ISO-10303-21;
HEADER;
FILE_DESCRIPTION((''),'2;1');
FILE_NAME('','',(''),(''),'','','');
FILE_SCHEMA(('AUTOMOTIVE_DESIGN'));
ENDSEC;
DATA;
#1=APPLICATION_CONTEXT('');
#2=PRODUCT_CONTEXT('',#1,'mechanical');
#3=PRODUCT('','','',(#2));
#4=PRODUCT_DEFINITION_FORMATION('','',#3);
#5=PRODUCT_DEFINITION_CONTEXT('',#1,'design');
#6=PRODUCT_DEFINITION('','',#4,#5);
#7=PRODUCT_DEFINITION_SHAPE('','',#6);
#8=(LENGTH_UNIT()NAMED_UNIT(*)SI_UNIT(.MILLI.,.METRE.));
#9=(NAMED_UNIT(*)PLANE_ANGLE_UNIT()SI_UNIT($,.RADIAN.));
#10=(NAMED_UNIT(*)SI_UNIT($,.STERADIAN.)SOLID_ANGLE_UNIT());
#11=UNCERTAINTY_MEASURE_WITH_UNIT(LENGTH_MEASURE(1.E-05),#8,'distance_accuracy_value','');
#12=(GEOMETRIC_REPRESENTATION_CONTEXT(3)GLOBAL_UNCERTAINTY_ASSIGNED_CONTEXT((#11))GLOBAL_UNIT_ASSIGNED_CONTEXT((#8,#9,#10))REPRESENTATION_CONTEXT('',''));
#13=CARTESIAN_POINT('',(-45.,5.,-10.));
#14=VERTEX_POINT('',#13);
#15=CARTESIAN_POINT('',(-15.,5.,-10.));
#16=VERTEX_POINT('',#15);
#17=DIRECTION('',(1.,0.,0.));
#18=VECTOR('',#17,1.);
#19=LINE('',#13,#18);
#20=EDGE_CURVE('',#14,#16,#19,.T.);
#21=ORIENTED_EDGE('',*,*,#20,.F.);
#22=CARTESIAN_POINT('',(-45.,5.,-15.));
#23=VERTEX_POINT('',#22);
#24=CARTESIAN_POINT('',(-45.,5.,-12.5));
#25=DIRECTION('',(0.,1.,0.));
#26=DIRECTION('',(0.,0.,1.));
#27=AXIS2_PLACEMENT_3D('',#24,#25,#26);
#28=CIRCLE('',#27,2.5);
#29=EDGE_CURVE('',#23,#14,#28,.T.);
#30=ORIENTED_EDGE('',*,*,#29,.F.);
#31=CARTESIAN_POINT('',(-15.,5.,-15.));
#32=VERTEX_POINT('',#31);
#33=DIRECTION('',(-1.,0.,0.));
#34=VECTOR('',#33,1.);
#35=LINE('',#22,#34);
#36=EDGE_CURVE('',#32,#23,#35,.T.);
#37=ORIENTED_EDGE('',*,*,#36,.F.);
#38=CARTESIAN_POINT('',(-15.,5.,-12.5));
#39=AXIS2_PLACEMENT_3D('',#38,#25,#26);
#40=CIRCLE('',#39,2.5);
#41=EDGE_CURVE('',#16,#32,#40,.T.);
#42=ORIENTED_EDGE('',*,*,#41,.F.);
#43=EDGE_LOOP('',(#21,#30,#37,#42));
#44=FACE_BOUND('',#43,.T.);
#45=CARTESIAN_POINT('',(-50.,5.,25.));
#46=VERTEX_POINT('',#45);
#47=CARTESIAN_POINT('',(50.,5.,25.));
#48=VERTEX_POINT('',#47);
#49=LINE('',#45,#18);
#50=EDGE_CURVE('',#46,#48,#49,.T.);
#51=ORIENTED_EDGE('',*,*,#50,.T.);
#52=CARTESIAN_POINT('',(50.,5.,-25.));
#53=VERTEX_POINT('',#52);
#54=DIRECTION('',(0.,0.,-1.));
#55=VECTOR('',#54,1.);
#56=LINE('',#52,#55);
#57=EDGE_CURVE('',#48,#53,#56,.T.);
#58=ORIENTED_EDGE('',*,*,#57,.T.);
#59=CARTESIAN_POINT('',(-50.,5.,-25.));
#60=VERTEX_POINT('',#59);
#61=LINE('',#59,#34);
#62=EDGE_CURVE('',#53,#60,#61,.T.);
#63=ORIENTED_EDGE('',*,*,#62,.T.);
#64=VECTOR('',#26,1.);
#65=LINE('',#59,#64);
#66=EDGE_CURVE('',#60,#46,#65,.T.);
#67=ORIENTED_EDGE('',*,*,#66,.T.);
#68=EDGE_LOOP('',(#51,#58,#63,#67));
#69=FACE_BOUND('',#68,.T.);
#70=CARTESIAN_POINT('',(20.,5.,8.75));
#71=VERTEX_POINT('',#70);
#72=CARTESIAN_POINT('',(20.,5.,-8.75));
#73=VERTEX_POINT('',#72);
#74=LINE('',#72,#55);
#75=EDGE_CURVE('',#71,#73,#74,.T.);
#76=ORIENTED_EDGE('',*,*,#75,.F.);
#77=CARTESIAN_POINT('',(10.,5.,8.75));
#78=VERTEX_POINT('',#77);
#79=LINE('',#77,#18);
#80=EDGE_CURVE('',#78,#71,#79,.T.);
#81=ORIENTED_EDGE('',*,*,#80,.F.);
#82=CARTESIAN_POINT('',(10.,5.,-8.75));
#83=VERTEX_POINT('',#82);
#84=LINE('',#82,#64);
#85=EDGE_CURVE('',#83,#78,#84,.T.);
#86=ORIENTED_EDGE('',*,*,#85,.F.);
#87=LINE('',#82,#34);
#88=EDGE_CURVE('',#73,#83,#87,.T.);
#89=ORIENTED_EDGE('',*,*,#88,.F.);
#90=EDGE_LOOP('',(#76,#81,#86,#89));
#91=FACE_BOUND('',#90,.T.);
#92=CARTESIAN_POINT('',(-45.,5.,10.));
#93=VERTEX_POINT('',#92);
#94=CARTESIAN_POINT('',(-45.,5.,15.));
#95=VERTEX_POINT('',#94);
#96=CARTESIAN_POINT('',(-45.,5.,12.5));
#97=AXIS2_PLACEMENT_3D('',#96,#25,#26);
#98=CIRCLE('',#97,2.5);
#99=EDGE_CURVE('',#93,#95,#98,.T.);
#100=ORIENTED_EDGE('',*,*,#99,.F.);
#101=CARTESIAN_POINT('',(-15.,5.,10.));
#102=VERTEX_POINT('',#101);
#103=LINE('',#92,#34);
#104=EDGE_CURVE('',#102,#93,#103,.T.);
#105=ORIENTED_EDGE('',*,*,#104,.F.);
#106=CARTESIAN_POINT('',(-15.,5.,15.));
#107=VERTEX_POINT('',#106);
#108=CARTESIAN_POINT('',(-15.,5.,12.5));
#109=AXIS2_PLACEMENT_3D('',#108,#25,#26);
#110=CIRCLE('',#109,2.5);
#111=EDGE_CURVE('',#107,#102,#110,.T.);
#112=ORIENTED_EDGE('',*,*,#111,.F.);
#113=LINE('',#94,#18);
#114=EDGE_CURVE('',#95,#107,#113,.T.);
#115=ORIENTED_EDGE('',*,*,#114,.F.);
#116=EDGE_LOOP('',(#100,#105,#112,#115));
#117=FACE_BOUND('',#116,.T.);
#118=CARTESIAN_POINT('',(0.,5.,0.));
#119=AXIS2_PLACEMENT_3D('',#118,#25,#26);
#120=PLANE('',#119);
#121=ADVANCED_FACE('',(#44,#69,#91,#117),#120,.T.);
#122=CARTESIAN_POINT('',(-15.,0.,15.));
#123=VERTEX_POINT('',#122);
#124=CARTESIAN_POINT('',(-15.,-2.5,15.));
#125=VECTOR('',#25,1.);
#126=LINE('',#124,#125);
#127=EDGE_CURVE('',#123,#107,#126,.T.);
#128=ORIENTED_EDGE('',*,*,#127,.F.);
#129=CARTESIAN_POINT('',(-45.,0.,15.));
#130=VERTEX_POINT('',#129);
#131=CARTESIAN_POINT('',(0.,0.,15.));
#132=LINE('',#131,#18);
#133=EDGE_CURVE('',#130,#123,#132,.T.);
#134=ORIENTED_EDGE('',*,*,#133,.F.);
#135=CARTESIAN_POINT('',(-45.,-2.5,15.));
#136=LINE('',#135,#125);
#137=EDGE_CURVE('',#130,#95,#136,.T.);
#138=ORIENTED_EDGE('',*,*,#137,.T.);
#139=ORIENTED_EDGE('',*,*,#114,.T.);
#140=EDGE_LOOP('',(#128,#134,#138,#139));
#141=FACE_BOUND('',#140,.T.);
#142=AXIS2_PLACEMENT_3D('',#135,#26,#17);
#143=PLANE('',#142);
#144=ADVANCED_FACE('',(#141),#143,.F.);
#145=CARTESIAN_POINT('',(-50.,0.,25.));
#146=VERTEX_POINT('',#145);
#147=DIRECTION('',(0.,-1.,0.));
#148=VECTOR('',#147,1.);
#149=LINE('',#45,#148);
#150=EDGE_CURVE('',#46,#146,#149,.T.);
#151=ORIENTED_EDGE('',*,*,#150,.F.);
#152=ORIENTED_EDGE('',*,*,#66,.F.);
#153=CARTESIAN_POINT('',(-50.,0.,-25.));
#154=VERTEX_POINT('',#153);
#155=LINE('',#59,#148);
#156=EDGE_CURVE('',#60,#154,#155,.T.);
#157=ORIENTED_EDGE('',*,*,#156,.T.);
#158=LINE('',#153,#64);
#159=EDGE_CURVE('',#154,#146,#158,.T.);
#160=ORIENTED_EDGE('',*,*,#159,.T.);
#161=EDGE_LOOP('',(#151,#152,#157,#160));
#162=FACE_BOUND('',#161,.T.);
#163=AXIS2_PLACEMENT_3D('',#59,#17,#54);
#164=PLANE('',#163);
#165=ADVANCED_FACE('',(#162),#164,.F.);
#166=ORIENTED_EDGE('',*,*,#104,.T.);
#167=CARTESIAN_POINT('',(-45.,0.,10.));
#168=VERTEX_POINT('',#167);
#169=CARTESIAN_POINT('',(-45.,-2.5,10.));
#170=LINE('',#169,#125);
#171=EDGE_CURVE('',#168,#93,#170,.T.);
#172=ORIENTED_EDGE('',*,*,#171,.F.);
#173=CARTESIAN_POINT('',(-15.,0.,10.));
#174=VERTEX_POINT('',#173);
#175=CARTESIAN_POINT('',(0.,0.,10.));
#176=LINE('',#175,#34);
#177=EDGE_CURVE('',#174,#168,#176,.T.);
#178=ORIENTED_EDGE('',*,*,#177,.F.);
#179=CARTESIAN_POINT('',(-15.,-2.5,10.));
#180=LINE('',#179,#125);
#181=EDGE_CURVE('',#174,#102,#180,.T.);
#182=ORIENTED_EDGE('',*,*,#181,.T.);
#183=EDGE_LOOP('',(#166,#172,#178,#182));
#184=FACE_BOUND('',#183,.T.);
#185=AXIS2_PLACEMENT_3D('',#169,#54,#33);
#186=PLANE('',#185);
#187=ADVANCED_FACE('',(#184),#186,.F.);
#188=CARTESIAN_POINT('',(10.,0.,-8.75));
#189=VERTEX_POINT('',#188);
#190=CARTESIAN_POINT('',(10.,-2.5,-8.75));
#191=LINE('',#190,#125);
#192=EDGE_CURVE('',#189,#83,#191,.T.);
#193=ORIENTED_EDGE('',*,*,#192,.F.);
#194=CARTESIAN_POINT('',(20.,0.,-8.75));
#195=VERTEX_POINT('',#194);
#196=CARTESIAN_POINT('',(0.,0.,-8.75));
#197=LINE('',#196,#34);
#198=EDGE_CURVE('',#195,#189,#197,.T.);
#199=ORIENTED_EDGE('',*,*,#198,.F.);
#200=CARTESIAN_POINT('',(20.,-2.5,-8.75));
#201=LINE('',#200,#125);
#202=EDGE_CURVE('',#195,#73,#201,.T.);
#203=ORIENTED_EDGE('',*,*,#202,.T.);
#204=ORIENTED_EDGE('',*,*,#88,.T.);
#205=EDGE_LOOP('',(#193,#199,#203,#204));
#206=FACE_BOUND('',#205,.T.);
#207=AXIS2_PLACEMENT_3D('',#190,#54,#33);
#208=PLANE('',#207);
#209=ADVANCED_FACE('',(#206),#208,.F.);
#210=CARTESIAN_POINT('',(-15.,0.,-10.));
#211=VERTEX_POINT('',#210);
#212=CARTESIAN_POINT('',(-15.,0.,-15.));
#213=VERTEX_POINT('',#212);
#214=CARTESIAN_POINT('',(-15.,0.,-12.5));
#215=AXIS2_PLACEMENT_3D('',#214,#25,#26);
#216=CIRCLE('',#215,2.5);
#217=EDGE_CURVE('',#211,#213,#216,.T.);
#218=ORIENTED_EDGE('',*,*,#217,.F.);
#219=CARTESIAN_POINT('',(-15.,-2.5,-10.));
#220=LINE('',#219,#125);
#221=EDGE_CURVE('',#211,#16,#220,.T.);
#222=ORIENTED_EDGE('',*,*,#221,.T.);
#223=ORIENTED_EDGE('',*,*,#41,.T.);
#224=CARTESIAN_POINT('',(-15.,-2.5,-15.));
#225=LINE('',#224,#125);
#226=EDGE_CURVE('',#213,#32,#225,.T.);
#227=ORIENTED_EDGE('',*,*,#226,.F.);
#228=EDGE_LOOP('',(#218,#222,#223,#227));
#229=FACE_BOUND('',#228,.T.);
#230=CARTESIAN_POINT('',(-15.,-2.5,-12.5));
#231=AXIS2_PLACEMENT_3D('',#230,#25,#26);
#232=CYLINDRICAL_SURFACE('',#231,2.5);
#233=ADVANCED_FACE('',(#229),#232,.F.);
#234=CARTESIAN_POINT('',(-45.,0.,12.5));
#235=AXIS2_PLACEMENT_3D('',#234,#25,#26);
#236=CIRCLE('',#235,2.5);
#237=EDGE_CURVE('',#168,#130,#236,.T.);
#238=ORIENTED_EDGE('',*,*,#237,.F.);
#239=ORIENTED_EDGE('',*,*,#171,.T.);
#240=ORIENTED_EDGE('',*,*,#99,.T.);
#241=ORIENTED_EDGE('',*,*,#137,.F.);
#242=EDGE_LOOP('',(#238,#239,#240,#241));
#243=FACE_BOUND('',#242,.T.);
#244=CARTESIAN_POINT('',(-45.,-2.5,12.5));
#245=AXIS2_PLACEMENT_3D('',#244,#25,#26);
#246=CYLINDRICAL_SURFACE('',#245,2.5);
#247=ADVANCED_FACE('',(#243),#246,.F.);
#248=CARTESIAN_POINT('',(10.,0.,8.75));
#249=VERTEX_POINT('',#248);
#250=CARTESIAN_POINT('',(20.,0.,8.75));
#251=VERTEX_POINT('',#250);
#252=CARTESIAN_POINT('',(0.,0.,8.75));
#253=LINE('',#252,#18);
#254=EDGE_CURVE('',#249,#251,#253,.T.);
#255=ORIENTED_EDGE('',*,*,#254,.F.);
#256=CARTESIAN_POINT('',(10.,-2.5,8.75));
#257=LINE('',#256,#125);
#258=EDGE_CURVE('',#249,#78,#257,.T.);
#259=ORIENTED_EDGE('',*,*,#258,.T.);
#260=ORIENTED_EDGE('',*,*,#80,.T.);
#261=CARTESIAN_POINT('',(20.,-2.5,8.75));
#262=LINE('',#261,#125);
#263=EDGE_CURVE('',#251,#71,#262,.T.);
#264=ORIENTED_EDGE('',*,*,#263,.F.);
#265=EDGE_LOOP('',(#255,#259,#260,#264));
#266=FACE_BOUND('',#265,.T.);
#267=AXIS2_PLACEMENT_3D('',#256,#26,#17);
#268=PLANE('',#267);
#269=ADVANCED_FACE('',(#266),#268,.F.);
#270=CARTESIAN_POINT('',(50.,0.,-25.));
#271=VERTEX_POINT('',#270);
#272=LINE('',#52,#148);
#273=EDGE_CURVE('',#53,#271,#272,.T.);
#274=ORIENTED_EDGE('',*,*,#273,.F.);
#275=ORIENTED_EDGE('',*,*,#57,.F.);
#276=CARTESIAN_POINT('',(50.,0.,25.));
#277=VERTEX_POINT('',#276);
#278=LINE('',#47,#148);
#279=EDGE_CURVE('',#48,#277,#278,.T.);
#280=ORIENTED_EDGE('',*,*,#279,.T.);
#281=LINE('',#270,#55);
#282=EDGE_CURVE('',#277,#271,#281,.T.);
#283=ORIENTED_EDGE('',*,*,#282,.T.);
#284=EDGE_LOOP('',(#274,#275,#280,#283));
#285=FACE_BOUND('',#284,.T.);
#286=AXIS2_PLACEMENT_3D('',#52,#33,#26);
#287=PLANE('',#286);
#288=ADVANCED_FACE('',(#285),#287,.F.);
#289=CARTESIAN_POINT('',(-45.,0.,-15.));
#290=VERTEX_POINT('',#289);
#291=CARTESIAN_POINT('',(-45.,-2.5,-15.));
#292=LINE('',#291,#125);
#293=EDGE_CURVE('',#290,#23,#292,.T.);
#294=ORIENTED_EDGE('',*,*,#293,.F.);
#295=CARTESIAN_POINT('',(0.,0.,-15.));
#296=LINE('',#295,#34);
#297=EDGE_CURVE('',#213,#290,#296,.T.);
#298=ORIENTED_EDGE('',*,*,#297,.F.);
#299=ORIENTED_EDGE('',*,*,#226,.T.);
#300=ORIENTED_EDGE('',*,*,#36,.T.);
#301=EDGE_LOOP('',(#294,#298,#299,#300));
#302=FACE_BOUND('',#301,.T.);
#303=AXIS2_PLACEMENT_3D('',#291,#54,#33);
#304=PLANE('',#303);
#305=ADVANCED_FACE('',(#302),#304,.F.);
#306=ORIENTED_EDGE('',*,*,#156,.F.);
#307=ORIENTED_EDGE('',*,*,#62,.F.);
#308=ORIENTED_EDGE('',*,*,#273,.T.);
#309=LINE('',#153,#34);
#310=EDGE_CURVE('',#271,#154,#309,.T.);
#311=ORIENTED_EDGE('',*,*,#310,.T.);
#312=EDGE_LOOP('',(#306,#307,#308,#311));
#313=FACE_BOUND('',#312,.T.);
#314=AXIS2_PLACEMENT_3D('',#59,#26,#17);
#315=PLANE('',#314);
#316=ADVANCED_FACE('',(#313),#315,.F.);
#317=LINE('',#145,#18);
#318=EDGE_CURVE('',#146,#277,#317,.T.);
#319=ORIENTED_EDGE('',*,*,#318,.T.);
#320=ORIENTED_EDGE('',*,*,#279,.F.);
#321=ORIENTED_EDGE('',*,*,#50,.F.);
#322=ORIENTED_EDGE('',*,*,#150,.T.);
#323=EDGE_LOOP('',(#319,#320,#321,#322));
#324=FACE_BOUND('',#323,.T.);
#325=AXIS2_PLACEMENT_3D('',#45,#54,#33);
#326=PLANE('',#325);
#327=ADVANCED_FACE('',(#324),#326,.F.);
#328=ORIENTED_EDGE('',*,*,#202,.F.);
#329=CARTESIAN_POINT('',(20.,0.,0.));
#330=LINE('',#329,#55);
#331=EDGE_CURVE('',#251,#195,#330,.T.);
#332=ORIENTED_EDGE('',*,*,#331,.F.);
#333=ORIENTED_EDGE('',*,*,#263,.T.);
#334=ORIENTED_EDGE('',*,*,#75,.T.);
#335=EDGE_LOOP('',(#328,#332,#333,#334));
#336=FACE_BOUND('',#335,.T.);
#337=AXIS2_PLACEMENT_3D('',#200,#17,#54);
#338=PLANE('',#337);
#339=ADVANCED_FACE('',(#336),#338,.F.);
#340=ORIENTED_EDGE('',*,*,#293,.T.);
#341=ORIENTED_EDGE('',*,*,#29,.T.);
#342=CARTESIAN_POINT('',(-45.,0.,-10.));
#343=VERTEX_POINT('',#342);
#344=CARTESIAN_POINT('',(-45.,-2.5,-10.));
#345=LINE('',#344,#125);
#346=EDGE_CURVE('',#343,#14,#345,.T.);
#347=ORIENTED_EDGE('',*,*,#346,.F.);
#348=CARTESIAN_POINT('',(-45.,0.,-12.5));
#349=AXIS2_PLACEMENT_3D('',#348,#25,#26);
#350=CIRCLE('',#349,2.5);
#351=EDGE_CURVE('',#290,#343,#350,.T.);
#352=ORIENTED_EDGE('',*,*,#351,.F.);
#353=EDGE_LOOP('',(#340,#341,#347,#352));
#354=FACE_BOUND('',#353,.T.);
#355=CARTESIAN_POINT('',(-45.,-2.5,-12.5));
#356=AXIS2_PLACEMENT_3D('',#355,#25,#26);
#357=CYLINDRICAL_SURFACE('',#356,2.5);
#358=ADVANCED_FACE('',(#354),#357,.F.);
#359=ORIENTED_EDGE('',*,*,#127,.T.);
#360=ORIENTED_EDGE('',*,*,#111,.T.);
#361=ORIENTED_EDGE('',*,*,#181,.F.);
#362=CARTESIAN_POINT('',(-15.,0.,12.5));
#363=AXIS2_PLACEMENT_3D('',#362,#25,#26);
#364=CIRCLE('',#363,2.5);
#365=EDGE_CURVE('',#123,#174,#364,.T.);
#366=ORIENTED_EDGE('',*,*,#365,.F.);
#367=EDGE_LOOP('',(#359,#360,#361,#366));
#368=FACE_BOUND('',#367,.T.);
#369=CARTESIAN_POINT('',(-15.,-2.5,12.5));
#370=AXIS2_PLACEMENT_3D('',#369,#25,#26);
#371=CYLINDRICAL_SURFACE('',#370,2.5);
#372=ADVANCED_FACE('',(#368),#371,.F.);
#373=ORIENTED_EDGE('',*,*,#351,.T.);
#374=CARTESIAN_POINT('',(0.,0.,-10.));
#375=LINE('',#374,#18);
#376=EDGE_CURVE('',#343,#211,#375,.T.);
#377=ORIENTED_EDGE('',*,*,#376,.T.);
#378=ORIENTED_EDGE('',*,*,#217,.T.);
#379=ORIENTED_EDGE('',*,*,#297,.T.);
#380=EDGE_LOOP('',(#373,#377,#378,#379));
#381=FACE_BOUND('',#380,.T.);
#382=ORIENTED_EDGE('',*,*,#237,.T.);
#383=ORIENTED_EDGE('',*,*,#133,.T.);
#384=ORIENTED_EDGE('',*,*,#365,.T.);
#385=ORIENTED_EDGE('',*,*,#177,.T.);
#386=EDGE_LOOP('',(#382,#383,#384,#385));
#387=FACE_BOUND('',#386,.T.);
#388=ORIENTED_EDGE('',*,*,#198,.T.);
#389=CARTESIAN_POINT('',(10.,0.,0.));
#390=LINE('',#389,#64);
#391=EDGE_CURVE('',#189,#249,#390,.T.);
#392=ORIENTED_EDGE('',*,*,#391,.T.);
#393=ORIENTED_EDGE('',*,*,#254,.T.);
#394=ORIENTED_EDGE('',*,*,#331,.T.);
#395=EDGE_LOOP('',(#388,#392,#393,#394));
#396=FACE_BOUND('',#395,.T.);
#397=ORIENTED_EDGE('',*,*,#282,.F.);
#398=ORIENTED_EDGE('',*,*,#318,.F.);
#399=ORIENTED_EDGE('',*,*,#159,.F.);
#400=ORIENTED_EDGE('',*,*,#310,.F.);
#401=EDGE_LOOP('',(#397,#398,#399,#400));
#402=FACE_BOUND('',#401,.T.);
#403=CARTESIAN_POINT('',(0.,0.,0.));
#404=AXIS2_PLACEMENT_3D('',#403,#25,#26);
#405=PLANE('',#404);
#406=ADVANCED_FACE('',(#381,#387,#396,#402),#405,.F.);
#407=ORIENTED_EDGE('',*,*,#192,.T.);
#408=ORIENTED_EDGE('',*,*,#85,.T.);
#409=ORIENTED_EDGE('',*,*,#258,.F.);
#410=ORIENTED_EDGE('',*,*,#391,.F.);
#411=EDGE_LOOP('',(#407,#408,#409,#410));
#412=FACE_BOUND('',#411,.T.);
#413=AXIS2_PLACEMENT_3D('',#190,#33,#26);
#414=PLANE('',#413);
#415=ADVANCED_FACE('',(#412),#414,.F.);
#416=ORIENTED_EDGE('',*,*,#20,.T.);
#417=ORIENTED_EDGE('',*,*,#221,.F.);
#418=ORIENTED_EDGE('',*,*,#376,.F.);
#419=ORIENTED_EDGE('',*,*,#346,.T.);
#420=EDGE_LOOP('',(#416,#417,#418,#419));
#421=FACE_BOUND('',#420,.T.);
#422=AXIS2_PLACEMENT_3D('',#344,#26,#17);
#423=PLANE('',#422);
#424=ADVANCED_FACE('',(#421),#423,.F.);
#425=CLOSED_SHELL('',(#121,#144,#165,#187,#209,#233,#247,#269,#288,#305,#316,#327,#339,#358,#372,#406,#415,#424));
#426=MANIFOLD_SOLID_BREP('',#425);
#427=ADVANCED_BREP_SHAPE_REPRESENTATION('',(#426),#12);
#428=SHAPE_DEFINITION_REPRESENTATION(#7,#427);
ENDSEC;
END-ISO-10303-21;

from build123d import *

# Parameters (mm, degrees)
SKETCH2_W           = 100
SKETCH2_H           = 50
BOSS_EXTRUDE1_DEPTH = 5
SKETCH3_W           = 10
SKETCH3_H           = 17.5
CUT_EXTRUDE1_DEPTH  = 7.5
CUT_EXTRUDE2_DEPTH  = 7.5


with BuildPart() as part:
    # Sketch2 → Boss-Extrude1 (new body)
    with BuildSketch(Plane(origin=(0, 0, 0), x_dir=(1, 0, 0), z_dir=(0, 1, 0))):
        Rectangle(SKETCH2_W, SKETCH2_H)
    extrude(amount=BOSS_EXTRUDE1_DEPTH)

    # Sketch3 → Cut-Extrude1 (cut)
    with BuildSketch(Plane(origin=(0, 5, 0), x_dir=(1, 0, 0), z_dir=(0, 1, 0))):
        with Locations((15, 0)):
            Rectangle(SKETCH3_W, SKETCH3_H)
    extrude(amount=-CUT_EXTRUDE1_DEPTH, mode=Mode.SUBTRACT)

    # Sketch4 → Cut-Extrude2 (cut)
    with BuildSketch(Plane(origin=(0, 5, 0), x_dir=(1, 0, 0), z_dir=(0, 1, 0))):
        with BuildLine():
            Line((-45, 15), (-15, 15))
            ThreePointArc((-15, 15), (-12.5, 12.5), (-15, 10))
            Line((-15, 10), (-45, 10))
            ThreePointArc((-45, 10), (-47.5, 12.5), (-45, 15))
        make_face()
        with BuildLine():
            Line((-45, -15), (-15, -15))
            ThreePointArc((-15, -15), (-12.5, -12.5), (-15, -10))
            Line((-15, -10), (-45, -10))
            ThreePointArc((-45, -10), (-47.5, -12.5), (-45, -15))
        make_face()
    extrude(amount=-CUT_EXTRUDE2_DEPTH, mode=Mode.SUBTRACT)


solid = part.part
